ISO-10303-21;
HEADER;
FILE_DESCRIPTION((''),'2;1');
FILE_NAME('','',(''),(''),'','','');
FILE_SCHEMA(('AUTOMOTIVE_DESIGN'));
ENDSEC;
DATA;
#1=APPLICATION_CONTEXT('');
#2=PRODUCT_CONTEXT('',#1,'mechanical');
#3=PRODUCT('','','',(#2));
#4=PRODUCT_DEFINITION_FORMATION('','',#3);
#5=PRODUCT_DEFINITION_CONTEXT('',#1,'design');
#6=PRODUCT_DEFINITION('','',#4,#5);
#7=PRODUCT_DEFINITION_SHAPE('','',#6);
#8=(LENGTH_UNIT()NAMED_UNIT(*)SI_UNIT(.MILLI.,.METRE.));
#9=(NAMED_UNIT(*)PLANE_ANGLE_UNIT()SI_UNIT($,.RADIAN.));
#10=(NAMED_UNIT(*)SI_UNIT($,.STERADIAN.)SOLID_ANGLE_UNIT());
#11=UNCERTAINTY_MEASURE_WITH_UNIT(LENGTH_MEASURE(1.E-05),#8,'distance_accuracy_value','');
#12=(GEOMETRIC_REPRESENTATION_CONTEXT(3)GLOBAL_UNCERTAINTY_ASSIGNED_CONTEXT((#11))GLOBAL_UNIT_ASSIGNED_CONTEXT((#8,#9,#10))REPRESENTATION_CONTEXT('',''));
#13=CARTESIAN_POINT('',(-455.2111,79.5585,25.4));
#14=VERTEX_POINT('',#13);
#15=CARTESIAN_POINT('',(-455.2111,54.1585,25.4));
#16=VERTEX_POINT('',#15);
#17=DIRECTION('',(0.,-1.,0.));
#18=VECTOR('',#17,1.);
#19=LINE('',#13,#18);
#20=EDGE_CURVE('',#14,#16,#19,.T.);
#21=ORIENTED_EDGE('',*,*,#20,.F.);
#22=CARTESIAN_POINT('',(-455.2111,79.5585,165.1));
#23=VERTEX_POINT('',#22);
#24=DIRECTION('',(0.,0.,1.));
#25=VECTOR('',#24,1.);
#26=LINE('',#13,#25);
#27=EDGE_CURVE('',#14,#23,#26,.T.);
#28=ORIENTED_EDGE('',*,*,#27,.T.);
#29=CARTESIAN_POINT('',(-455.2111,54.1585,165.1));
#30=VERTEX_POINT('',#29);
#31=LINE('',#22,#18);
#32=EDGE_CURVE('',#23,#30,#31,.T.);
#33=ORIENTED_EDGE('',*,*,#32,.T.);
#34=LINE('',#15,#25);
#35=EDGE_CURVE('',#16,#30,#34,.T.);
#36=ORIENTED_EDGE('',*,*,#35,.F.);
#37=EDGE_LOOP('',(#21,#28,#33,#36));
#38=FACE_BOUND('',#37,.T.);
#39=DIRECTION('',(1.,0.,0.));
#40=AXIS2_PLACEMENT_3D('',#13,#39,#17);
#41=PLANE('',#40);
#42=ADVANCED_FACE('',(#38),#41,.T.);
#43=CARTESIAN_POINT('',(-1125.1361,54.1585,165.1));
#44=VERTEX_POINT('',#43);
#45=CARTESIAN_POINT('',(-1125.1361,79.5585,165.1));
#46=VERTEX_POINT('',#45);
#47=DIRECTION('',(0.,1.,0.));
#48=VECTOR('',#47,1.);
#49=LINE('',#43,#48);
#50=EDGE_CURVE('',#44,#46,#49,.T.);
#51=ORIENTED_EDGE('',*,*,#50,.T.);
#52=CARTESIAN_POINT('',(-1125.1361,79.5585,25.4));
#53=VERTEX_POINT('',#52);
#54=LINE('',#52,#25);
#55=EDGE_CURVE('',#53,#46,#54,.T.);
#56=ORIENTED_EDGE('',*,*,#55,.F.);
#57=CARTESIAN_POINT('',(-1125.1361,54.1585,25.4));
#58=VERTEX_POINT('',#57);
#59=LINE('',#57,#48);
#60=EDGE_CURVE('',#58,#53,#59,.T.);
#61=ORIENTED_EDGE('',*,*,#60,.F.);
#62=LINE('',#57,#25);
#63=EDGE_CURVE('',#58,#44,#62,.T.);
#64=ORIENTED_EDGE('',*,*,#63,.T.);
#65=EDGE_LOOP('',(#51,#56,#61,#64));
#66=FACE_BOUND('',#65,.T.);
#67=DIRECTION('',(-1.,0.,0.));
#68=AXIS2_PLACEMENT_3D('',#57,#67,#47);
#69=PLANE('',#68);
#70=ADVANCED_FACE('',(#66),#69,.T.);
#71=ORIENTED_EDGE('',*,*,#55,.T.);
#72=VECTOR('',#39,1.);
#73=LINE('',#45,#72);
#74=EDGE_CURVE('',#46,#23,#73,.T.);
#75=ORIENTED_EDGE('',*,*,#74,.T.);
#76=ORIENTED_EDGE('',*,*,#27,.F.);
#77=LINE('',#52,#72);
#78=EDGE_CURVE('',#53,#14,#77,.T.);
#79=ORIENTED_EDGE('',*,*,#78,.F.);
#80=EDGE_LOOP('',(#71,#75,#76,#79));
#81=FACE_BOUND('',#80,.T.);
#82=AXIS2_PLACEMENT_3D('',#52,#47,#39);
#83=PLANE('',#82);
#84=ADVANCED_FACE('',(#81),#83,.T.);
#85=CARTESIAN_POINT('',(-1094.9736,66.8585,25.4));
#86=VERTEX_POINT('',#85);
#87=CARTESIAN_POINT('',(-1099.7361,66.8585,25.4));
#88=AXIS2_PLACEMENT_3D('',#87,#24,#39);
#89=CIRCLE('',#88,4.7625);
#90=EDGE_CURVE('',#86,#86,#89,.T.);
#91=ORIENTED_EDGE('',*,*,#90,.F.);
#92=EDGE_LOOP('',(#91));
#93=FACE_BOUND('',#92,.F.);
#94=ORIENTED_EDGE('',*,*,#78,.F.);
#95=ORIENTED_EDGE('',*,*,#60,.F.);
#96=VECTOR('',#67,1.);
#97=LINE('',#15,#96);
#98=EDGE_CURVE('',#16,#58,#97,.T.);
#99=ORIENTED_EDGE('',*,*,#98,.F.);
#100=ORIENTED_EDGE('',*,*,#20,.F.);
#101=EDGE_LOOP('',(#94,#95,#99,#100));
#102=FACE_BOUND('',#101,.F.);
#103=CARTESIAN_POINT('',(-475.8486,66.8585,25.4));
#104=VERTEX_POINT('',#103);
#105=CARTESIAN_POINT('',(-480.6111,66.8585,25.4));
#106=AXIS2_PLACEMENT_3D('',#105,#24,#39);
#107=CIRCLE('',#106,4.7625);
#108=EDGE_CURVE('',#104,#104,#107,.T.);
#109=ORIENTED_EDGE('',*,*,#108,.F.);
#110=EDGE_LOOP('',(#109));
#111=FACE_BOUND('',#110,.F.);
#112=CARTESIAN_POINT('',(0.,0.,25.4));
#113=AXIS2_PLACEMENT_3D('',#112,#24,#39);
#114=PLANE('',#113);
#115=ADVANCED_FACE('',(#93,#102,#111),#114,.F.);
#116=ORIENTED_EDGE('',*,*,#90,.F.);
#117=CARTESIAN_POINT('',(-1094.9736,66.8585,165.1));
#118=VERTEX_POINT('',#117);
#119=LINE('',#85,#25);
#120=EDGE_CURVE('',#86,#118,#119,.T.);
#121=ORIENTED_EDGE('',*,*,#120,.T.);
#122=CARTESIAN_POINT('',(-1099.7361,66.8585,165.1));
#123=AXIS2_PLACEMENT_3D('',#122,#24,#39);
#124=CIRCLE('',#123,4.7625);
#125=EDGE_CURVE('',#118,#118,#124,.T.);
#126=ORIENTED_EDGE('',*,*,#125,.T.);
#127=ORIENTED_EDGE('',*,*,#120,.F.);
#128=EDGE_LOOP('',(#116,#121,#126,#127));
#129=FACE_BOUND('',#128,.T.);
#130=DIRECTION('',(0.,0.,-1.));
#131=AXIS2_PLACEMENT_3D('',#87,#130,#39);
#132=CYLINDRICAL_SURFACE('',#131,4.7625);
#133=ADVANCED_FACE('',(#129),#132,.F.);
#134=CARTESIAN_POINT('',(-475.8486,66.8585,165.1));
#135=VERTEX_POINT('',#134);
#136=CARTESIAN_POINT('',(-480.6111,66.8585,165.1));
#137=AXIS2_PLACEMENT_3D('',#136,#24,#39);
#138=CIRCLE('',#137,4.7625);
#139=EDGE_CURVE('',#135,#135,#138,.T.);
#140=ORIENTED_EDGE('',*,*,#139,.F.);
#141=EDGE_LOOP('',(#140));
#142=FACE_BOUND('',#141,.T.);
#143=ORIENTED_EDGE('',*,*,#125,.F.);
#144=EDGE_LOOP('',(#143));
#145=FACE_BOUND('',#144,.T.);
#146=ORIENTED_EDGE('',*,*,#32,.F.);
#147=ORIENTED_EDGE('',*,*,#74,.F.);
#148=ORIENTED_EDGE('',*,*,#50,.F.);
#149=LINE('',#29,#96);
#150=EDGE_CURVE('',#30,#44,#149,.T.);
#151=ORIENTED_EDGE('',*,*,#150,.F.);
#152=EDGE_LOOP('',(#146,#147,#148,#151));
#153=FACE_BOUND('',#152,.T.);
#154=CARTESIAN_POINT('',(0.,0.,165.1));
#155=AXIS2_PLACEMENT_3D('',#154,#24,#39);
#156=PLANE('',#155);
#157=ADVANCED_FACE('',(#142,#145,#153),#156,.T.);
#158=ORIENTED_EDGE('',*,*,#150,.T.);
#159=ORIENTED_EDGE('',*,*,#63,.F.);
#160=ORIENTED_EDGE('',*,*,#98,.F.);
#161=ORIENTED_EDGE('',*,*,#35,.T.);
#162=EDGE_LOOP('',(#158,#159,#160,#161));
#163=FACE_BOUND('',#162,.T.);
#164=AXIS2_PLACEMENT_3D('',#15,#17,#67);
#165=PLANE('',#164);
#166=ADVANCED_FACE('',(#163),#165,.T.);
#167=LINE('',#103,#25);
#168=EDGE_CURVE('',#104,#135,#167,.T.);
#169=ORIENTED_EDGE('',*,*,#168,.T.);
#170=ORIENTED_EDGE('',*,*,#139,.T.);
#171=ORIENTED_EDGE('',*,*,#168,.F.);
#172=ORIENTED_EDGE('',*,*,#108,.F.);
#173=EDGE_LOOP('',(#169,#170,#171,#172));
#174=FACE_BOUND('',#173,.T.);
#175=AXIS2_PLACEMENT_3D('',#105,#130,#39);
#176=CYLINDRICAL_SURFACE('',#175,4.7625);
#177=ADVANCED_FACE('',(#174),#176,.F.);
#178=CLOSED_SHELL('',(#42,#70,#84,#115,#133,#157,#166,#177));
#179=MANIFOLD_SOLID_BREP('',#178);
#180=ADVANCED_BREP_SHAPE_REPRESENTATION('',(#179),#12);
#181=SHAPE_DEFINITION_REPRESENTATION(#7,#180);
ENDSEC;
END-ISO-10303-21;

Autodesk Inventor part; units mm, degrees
ref_plane "YZ Plane" through (0, 0, 0) normal (1, 0, 0) x (0, 1, 0)
ref_plane "XZ Plane" through (0, 0, 0) normal (0, 1, 0) x (-1, 0, 0)
ref_plane "XY Plane" through (0, 0, 0) normal (0, 0, 1) x (1, 0, 0)
ref_plane "Work Plane1" through (0, 0, 25.4) normal (0, 0, 1) x (1, 0, 0)
sketch "Sketch3" plane through (0, 0, 25.4) normal (0, 0, 1) x (1, 0, 0)
  line L0 (-455.2111, 54.1585) -> (-1125.1361, 54.1585)
  line L1 (-1125.1361, 54.1585) -> (-1125.1361, 79.5585)
  line L2 (-1125.1361, 79.5585) -> (-455.2111, 79.5585)
  line L3 (-455.2111, 79.5585) -> (-455.2111, 54.1585)
  circle A0 centre (-480.6111, 66.8585) radius 4.7625
  circle A1 centre (-1099.7361, 66.8585) radius 4.7625
  point P0 (0, 0)
  dimension "d8" = 669.925
  dimension "d9" = 25.4
  dimension "d11" = 9.525
  dimension "d13" = 9.525
extrude "Extrusion3" add sketch "Sketch3" along normal blind 139.7
properties part number "ArmBacking"
